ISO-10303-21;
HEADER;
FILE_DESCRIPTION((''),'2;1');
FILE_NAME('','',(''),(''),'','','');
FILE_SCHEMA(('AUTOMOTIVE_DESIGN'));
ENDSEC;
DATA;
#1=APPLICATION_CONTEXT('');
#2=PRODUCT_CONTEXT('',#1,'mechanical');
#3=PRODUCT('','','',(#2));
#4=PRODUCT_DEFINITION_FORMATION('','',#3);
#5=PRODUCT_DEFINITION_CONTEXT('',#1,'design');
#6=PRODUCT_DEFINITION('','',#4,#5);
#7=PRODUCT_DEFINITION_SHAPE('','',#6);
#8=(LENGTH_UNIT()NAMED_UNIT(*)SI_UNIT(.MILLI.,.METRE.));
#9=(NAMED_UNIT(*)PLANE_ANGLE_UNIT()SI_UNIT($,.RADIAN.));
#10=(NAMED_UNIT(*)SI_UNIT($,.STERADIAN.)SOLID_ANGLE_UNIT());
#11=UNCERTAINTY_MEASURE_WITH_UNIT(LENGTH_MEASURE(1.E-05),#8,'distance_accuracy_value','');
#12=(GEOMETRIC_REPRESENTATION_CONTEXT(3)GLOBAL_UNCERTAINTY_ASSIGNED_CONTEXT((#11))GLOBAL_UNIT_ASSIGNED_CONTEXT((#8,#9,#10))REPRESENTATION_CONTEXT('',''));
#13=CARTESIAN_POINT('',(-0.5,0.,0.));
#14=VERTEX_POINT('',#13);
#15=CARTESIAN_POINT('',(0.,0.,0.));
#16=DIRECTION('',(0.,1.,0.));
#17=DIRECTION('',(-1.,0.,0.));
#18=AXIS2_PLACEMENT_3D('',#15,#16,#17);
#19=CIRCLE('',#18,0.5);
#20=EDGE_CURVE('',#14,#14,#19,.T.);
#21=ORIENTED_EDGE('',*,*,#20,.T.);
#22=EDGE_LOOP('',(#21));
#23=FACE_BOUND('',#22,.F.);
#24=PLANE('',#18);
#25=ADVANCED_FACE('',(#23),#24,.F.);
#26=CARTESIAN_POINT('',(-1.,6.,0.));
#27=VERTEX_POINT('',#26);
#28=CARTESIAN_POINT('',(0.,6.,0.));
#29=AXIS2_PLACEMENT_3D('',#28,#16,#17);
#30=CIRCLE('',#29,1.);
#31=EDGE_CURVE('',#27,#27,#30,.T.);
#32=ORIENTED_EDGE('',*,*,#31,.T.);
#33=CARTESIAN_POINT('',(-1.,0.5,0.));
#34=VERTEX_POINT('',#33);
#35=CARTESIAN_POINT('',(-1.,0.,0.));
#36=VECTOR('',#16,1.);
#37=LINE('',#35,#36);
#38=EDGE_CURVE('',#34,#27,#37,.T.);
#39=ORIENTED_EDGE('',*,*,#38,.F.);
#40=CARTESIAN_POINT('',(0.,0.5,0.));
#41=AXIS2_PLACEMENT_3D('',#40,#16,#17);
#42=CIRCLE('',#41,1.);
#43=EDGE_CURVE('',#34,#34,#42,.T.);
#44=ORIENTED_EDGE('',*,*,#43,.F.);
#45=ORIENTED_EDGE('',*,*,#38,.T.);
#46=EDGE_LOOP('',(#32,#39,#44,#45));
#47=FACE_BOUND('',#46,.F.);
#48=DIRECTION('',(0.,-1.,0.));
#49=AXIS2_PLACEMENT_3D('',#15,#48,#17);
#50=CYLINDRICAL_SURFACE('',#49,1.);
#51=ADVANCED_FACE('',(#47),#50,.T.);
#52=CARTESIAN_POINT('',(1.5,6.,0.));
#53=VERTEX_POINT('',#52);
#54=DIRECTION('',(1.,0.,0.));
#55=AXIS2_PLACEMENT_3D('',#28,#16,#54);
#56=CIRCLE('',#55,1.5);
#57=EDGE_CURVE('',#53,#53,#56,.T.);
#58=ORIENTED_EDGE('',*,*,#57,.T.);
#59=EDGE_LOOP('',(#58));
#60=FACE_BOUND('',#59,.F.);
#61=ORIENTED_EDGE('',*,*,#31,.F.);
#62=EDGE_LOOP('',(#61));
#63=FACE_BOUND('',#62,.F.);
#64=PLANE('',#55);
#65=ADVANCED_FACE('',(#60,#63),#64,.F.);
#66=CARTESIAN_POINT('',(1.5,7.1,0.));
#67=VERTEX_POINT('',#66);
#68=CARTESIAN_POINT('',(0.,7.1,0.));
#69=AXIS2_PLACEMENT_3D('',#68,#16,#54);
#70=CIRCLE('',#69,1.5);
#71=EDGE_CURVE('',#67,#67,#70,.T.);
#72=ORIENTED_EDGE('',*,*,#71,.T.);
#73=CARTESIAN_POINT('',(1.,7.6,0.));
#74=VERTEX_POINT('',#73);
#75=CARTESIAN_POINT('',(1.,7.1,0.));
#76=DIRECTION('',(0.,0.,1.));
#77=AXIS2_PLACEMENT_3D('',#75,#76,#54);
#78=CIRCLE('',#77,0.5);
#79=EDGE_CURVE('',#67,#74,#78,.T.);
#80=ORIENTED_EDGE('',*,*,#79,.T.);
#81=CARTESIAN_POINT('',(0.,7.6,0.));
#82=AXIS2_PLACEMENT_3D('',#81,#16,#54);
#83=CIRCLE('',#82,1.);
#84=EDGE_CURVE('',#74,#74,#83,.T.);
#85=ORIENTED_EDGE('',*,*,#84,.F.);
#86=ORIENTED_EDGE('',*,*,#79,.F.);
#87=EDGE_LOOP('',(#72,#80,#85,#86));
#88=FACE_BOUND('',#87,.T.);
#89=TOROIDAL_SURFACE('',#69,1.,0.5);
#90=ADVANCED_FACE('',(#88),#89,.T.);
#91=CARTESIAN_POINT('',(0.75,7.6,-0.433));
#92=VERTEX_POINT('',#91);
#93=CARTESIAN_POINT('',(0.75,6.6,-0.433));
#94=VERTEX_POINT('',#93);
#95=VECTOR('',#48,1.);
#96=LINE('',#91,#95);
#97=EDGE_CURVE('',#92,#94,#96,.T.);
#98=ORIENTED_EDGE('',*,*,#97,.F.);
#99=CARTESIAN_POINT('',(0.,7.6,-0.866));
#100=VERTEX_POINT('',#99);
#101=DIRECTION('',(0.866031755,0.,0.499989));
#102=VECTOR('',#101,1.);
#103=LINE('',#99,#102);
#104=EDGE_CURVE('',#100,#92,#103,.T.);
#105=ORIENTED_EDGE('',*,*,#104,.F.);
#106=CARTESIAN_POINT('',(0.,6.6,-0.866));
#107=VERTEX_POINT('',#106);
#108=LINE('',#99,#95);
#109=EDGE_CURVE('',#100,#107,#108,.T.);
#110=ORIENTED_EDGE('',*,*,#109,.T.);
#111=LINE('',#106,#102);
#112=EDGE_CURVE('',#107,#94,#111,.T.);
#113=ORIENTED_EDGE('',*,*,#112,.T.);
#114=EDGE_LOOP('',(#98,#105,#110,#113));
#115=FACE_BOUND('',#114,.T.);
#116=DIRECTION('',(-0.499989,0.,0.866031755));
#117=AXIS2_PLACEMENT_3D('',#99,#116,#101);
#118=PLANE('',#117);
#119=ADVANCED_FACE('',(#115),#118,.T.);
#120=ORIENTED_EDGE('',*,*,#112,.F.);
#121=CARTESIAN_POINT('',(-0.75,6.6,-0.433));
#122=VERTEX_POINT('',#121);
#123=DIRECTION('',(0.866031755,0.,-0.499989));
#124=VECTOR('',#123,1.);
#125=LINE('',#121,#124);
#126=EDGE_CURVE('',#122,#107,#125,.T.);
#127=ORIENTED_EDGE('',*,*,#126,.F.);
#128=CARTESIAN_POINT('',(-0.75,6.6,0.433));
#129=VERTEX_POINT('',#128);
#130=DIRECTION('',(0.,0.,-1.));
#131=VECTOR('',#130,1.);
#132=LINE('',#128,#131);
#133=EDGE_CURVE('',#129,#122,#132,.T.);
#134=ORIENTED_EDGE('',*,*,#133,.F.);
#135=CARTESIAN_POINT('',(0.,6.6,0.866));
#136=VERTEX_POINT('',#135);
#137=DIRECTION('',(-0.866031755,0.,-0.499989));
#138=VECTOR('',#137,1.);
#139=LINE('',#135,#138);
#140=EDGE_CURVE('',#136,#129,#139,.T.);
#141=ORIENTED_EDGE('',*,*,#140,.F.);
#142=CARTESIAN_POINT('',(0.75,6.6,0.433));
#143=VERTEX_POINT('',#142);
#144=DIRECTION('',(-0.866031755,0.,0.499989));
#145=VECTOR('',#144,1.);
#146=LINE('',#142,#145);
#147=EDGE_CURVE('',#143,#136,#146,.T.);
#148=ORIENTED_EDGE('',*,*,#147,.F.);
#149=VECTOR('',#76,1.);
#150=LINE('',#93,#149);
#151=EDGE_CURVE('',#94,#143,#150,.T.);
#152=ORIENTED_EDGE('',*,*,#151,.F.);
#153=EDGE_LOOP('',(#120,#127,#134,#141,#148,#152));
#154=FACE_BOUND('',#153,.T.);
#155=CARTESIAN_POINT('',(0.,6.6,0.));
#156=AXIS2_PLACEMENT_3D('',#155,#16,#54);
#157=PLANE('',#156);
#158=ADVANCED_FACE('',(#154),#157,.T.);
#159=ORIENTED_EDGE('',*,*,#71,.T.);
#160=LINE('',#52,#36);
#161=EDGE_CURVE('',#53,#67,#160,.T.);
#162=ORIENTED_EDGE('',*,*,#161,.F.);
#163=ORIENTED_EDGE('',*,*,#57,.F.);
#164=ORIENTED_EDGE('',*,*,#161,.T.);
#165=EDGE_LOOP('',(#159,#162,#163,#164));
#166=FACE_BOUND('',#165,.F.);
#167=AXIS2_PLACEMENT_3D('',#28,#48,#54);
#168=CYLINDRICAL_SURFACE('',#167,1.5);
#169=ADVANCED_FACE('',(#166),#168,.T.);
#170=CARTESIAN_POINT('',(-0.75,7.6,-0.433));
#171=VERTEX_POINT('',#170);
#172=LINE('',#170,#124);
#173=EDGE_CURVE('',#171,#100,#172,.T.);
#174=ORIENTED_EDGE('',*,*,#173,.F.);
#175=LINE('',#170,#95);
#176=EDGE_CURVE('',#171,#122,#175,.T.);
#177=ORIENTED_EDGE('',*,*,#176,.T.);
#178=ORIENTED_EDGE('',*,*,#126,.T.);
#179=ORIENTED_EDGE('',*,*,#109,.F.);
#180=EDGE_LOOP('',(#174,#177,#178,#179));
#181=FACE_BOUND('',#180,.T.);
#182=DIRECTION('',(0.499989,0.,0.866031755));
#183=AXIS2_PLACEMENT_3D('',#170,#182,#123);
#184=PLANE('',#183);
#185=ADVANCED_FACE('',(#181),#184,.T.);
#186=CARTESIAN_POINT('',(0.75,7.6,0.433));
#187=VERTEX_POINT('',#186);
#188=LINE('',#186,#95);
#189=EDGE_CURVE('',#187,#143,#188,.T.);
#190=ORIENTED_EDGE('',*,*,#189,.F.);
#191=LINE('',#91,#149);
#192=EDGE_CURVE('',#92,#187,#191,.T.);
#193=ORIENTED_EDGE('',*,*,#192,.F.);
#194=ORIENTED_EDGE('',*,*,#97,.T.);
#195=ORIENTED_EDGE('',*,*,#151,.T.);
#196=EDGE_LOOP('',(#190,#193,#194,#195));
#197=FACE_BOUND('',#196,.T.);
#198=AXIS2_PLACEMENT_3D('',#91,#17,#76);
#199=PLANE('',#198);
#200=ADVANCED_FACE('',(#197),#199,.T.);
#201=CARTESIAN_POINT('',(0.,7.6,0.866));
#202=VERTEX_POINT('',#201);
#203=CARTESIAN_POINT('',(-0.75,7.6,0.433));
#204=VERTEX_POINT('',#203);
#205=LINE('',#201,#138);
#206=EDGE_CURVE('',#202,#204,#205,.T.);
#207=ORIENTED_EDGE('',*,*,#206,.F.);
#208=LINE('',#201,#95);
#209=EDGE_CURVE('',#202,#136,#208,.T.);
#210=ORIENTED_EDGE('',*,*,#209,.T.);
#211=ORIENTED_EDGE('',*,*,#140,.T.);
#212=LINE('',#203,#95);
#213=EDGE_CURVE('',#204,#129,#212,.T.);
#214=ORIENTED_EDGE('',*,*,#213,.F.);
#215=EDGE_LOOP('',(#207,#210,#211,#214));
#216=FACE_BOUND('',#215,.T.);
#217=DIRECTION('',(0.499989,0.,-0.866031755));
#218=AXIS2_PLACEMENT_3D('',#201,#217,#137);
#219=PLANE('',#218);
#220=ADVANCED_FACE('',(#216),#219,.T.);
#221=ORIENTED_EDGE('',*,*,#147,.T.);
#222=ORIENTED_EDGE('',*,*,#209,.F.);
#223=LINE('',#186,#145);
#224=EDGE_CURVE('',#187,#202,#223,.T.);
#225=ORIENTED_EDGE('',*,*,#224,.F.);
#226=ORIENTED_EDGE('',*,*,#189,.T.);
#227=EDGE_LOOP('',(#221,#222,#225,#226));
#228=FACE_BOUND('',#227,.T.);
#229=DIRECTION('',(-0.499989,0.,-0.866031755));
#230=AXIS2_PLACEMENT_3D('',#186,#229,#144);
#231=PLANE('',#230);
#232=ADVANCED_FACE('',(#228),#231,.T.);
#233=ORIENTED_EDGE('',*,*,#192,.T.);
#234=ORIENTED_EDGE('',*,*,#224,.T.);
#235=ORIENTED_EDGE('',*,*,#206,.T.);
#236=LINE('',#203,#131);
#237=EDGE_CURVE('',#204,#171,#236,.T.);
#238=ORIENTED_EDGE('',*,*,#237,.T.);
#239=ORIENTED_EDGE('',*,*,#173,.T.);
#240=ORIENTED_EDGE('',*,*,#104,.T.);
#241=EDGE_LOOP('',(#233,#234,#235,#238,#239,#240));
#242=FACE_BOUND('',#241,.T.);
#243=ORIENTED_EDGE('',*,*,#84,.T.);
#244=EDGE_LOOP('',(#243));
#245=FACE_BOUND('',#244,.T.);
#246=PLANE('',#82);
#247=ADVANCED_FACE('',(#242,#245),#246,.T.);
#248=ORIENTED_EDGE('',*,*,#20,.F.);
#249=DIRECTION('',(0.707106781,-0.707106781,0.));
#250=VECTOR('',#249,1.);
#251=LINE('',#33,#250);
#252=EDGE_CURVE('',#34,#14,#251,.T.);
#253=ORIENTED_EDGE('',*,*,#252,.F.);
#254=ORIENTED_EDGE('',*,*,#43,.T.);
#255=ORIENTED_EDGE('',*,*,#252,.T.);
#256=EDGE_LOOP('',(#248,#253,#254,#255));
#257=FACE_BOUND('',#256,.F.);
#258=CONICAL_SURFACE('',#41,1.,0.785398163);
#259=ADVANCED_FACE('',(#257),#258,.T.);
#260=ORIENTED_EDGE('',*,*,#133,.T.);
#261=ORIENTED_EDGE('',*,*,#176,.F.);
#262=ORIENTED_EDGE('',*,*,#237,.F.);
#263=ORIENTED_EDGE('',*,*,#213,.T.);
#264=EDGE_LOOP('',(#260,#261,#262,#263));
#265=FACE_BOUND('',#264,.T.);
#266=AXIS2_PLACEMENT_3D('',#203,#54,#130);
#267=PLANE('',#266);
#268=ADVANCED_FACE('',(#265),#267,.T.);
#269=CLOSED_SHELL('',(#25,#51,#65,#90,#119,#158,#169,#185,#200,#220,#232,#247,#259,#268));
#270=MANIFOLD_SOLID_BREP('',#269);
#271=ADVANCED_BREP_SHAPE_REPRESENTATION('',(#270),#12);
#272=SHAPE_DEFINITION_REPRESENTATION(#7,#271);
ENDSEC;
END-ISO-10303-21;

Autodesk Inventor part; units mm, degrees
ref_plane "YZ Plane" through (0, 0, 0) normal (1, 0, 0) x (0, 1, 0)
sketch "Sketch1" plane through (0, 0, 0) normal (0, 1, 0) x (-1, 0, 0)
  circle A0 centre (0, 0) radius 1
  dimension "d0" = 2
extrude "Extrusion1" add sketch "Sketch1" along normal blind 6
chamfer "Chamfer1" distance 0.5 angle 45 1 edges at (1, 0, 0)
ref_plane "Work Plane1" through (0, 6, 0) normal (0, 1, 0) x (1, 0, 0)
sketch "Sketch2" plane through (0, 6, 0) normal (0, 1, 0) x (1, 0, 0)
  circle A0 centre (0, 0) radius 0.5
  circle A1 centre (0, 0) radius 1.5
  dimension "d7" = 3
extrude "Extrusion2" add sketch "Sketch2" along normal blind 1.6 contours A0 | A1
fillet "Fillet1" radius 0.5 1 edges at (-1.5, 7.6, 0)
ref_plane "Work Plane2" through (0, 7.6, 0) normal (0, 1, 0) x (1, 0, 0)
sketch "Sketch3" plane through (0, 7.6, 0) normal (0, 1, 0) x (1, 0, 0)
  line L0 (-0.75, 0.433) -> (0, 0.866)
  line L1 (0, 0.866) -> (0.75, 0.433)
  line L2 (0.75, 0.433) -> (0.75, -0.433)
  line L3 (0.75, -0.433) -> (0, -0.866)
  line L4 (0, -0.866) -> (-0.75, -0.433)
  line L5 (-0.75, -0.433) -> (-0.75, 0.433)
  point P0 (0, 0)
  point P1 (0, 0)
  dimension "d12" = 0.75
extrude "Extrusion3" cut sketch "Sketch3" against normal blind 1
thread "Thread1" size "M2x0.4" class "6g" standard "ANSI Metric M Profile" full length
properties part number "M2x6mm_screw"
